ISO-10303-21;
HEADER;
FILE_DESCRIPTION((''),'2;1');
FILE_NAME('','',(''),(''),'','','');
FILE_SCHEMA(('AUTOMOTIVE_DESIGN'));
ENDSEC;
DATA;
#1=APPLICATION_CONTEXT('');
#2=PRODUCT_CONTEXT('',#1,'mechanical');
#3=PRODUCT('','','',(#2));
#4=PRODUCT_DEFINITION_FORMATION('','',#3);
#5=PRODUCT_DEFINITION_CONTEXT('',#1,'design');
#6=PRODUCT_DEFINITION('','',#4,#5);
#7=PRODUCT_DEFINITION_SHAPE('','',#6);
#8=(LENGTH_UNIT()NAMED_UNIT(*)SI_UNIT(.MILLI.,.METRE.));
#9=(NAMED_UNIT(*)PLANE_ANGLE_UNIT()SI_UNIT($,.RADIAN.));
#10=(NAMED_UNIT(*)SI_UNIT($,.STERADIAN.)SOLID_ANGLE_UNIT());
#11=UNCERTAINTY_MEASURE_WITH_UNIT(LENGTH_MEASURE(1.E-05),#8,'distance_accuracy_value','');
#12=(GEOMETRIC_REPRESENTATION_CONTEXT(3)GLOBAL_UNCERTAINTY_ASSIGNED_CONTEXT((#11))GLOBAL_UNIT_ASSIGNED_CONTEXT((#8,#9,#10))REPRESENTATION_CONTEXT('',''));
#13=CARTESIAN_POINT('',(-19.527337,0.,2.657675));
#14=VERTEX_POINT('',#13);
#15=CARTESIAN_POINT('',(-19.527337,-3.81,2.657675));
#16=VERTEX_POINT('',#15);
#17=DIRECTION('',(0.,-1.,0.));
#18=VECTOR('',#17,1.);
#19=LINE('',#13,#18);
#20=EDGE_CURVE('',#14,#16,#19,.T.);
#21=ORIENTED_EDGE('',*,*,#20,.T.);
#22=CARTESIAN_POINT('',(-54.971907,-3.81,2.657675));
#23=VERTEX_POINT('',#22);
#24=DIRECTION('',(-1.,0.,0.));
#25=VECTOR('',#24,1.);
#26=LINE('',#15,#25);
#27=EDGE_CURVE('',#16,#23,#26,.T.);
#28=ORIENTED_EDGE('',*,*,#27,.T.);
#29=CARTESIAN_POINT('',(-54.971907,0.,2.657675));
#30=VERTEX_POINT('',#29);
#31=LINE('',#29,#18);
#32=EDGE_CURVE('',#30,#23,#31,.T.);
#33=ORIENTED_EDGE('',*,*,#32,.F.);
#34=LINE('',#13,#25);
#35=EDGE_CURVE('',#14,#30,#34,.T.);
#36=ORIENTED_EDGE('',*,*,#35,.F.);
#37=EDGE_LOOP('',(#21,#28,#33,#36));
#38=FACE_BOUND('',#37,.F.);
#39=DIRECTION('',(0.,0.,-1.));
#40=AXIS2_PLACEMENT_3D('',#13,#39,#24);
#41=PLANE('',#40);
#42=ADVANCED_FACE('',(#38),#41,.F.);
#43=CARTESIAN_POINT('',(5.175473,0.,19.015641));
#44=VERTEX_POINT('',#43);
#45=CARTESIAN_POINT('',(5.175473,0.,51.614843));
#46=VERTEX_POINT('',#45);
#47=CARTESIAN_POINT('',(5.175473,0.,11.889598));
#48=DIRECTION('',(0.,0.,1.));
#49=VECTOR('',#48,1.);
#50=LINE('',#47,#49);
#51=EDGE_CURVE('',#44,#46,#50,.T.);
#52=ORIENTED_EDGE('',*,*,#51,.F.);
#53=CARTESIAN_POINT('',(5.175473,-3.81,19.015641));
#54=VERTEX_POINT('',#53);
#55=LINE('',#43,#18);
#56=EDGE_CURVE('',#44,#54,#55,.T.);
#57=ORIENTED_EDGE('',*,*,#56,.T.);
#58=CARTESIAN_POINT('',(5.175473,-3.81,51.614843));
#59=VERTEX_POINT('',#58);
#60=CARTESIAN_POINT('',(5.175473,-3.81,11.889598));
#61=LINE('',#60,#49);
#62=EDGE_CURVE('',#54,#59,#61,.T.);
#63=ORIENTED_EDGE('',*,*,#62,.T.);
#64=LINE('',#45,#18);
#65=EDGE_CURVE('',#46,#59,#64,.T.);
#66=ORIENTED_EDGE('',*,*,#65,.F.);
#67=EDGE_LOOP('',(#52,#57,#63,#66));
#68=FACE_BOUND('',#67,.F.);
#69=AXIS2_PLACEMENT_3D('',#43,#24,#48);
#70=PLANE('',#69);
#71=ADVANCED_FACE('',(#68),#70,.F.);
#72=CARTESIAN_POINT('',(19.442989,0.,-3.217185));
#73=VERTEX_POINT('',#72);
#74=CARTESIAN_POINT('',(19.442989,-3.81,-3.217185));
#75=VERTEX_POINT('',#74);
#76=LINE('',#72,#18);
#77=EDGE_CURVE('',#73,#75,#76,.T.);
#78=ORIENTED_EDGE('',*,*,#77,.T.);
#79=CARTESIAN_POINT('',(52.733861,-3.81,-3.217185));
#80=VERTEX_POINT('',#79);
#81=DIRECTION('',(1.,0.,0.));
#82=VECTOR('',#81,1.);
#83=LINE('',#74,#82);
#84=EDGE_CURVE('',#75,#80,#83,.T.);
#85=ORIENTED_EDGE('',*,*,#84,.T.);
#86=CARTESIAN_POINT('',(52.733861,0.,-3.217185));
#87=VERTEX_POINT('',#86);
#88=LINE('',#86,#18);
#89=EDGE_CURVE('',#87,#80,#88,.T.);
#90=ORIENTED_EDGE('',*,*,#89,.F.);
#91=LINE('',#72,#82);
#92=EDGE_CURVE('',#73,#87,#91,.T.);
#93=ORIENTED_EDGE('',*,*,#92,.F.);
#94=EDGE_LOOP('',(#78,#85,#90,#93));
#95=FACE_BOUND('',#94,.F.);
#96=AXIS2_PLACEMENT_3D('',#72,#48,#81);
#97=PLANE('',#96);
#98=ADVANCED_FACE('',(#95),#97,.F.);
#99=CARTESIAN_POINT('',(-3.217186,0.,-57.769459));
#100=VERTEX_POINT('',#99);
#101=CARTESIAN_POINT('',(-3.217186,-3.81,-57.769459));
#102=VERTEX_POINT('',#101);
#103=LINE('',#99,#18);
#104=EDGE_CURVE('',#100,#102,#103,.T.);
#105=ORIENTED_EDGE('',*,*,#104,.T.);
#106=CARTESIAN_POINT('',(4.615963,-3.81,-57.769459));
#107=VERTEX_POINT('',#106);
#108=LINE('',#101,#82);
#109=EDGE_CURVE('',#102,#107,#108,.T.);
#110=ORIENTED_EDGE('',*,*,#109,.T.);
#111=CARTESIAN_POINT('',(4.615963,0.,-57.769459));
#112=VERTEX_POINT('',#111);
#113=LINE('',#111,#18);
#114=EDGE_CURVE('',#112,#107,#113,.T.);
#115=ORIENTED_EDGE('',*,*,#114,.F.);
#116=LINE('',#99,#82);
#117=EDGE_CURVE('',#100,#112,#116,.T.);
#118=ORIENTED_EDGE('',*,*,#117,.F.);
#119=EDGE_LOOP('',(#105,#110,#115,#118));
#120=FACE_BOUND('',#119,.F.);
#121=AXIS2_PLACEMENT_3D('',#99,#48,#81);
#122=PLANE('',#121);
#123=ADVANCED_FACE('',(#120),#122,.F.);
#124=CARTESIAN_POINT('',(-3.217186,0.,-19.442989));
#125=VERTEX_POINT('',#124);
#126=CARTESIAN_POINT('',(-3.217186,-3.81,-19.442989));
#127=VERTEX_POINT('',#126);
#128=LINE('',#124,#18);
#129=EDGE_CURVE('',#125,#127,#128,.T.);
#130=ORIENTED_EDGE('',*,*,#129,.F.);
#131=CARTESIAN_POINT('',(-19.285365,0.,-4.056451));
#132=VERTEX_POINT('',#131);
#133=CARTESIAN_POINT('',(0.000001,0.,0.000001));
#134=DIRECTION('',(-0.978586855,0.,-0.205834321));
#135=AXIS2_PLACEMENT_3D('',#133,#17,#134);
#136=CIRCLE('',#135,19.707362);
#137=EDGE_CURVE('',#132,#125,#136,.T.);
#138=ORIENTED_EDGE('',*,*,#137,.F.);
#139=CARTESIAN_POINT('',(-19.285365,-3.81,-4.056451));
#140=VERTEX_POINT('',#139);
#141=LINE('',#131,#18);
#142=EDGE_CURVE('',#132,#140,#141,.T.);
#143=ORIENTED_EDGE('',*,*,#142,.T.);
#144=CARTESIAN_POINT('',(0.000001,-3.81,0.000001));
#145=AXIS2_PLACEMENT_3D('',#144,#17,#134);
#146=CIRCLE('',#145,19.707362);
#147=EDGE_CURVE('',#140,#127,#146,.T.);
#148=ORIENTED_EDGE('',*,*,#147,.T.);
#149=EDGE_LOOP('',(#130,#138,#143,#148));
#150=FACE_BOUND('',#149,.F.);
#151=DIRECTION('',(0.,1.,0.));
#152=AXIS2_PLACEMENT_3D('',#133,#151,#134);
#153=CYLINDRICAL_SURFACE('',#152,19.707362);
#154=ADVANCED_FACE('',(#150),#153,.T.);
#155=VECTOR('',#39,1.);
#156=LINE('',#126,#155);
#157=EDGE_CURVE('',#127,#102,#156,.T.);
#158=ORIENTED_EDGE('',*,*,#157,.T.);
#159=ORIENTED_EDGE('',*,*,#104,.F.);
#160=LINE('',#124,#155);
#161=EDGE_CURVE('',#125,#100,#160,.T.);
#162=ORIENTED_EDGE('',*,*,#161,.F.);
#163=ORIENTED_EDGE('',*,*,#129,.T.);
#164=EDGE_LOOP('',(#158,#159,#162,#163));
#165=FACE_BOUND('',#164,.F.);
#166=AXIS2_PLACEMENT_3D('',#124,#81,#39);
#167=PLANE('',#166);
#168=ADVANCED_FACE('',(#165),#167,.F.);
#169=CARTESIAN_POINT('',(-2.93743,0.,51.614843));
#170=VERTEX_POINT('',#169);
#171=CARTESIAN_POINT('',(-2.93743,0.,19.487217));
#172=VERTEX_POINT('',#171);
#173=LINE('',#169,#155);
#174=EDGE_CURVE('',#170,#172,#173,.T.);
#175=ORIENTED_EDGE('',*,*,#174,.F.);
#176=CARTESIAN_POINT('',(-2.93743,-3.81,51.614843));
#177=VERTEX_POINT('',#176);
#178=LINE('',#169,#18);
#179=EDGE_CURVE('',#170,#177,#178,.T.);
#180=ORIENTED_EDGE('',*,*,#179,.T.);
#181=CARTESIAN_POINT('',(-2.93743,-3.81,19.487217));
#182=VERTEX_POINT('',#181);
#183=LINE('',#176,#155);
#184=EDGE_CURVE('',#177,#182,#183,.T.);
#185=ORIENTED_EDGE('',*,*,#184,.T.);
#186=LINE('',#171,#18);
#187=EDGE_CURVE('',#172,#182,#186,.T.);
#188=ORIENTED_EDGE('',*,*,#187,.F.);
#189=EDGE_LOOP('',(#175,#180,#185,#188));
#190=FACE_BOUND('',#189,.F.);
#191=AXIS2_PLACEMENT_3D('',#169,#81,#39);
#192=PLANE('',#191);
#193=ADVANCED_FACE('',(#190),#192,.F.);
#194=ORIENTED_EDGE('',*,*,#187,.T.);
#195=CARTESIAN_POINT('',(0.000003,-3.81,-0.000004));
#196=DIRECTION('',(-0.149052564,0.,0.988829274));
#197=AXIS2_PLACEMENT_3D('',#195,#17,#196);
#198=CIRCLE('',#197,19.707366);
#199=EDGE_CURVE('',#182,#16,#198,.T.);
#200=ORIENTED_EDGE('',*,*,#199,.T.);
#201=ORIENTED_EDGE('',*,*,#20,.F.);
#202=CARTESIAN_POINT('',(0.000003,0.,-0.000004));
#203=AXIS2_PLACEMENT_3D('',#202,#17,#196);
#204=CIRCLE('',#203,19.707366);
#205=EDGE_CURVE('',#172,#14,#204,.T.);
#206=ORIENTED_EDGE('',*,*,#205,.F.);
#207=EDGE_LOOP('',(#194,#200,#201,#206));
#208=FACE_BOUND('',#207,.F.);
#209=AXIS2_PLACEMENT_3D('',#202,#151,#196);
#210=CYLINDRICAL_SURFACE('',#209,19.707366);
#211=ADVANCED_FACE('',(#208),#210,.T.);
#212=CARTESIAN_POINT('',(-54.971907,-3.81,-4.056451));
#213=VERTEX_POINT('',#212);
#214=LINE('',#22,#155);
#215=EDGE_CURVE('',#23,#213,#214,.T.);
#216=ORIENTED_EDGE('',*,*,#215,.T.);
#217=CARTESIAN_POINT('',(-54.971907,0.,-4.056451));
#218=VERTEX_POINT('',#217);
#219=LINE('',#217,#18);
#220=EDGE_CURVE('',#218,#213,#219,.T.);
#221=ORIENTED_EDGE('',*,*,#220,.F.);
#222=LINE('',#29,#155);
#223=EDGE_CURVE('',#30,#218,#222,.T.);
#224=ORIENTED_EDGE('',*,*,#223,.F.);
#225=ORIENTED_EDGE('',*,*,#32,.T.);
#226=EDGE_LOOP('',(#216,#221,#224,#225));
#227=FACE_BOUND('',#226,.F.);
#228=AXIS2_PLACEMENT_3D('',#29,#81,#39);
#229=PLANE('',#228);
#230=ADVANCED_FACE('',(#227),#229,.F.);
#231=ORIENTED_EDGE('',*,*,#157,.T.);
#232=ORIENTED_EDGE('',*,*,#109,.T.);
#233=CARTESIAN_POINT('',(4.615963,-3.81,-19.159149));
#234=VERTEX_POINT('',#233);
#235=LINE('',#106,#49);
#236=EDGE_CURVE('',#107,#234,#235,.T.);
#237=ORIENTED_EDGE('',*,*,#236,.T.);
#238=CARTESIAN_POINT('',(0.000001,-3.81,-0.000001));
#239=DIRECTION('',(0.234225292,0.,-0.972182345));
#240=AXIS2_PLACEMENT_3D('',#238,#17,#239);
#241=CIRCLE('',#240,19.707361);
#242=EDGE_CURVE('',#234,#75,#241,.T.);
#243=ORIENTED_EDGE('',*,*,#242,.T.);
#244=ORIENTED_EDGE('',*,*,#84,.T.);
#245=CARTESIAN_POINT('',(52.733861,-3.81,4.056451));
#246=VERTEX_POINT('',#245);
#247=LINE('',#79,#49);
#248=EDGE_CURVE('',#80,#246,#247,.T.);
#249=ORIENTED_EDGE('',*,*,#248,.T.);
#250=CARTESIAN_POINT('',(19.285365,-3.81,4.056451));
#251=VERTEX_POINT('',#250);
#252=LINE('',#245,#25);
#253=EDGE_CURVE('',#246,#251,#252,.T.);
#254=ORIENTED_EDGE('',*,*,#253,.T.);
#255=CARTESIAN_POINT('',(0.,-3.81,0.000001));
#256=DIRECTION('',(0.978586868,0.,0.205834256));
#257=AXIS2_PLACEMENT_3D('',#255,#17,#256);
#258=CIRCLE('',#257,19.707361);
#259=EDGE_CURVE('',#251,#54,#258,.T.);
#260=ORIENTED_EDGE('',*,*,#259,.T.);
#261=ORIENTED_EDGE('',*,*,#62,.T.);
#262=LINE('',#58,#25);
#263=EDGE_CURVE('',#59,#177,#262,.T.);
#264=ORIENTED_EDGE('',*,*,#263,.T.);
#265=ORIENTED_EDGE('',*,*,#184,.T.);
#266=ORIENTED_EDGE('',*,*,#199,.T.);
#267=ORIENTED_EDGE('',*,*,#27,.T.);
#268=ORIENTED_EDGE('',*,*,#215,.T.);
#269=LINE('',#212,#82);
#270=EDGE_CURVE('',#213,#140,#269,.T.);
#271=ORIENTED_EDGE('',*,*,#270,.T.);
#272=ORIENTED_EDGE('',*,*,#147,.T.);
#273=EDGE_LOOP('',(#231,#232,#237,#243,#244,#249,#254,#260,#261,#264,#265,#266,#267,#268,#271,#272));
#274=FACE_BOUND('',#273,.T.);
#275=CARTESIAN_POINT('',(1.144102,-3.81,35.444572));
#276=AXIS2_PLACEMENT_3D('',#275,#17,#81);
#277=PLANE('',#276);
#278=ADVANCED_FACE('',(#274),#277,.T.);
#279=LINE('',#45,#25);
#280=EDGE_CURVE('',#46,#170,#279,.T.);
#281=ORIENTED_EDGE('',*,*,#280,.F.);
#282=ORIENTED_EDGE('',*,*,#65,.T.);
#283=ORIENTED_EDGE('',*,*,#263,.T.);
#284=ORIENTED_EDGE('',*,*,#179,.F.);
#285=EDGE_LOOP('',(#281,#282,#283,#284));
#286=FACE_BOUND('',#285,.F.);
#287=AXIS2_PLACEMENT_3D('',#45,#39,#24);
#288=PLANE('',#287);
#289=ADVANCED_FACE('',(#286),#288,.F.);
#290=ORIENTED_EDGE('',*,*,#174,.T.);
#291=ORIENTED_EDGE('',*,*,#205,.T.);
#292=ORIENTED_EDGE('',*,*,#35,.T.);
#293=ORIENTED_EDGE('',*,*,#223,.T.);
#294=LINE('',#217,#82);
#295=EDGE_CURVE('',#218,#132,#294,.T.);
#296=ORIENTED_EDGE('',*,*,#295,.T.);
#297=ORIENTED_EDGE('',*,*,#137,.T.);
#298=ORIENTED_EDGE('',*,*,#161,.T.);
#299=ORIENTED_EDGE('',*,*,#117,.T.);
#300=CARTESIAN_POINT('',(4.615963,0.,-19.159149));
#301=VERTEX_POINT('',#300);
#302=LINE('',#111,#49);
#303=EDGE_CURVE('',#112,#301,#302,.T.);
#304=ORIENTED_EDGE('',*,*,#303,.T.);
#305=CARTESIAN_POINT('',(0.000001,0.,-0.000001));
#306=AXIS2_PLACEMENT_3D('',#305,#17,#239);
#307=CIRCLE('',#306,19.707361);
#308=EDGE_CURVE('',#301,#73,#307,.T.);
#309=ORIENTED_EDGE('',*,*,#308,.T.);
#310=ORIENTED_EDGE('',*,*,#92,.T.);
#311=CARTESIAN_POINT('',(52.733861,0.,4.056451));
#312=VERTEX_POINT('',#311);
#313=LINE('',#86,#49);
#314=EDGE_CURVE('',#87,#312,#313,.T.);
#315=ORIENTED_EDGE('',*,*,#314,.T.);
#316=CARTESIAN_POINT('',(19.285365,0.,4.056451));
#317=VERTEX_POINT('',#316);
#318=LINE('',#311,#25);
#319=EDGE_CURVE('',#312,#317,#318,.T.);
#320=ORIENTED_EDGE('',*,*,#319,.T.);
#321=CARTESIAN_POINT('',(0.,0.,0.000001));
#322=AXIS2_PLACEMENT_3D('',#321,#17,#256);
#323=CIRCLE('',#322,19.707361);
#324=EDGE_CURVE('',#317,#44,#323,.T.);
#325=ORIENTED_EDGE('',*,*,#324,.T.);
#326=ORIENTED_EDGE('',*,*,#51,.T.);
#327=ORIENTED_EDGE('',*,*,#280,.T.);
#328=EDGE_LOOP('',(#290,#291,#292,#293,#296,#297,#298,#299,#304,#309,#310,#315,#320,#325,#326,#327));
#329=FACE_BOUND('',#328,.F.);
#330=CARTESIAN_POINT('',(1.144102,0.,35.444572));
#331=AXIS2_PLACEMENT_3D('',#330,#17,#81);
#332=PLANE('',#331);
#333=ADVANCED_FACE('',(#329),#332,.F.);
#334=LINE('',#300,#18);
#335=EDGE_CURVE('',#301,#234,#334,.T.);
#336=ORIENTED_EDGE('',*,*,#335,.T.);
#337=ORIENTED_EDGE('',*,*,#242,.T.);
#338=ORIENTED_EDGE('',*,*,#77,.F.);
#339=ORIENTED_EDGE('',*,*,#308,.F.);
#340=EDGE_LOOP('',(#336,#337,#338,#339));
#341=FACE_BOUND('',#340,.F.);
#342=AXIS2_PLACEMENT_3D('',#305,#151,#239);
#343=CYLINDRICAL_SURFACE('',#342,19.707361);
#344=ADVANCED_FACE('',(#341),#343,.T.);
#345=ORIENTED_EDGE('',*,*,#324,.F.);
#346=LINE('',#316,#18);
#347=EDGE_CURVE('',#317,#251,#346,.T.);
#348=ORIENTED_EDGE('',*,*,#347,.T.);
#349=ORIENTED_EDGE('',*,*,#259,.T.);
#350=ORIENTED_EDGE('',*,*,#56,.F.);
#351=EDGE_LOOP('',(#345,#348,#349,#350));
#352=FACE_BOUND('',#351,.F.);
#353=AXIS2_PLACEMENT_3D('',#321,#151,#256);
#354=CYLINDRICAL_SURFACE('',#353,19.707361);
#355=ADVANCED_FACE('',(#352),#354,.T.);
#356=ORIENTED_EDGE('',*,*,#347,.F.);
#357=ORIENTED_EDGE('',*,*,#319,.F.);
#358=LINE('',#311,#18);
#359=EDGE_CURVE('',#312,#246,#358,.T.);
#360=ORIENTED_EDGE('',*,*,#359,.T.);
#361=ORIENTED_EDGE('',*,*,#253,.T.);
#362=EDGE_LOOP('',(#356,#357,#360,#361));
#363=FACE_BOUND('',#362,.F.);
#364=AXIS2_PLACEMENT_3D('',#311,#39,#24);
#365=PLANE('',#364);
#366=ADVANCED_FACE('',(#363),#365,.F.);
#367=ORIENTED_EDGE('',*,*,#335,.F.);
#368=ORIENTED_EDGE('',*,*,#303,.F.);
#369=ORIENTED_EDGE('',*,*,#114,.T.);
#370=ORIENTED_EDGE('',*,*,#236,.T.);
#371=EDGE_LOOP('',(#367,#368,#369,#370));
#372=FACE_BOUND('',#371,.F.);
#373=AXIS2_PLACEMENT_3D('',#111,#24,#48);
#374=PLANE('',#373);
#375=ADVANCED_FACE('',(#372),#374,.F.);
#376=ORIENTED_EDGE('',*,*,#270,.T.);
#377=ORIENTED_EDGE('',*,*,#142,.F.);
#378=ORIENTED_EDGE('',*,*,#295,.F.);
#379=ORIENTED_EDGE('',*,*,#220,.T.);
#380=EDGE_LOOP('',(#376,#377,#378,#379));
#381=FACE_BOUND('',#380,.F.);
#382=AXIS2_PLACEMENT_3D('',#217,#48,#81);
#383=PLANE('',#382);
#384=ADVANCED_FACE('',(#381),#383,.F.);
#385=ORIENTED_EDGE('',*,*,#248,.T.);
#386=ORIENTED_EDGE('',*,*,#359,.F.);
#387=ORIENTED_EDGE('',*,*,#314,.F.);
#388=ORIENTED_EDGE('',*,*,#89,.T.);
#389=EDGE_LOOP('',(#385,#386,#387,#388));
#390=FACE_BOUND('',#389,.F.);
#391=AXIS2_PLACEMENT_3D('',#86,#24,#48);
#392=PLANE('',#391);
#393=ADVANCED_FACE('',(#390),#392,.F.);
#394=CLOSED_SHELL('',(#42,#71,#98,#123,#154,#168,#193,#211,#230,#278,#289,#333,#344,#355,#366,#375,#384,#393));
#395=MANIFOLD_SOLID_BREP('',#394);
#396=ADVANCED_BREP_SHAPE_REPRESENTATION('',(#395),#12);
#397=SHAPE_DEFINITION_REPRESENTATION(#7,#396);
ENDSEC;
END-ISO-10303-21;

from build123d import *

# Parameters (mm, degrees)
F1_DEPTH = 3.81


with BuildPart() as f1:
    # F0 (on Front) → F1 (new body)
    with BuildSketch(Plane.XZ):
        with BuildLine():
            ThreePointArc((-2.93743, 19.487217), (1.143593, 19.674153), (5.175473, 19.015641))
            Line((5.175473, 19.015641), (5.175473, 51.614843))
            Line((5.175473, 51.614843), (-2.93743, 51.614843))
            Line((-2.93743, 51.614843), (-2.93743, 19.487217))
        make_face()
        with BuildLine():
            Line((5.175473, 11.889598), (5.175473, 19.015641))
            ThreePointArc((5.175473, 19.015641), (1.143593, 19.674153), (-2.93743, 19.487217))
            Line((-2.93743, 19.487217), (-2.93743, 11.889598))
            Line((-2.93743, 11.889598), (5.175473, 11.889598))
        make_face()
        with BuildLine():
            Line((11.050331, 4.056451), (19.285365, 4.056451))
            ThreePointArc((19.285365, 4.056451), (14.33623, 13.522301), (5.175473, 19.015641))
            Line((5.175473, 19.015641), (5.175473, 11.889598))
            Line((5.175473, 11.889598), (-2.93743, 11.889598))
            Line((-2.93743, 11.889598), (-2.93743, 19.487217))
            ThreePointArc((-2.93743, 19.487217), (-14.034771, 13.83493), (-19.527337, 2.657675))
            Line((-19.527337, 2.657675), (-16.645437, 2.657675))
            Line((-16.645437, 2.657675), (-16.645437, -4.056451))
            Line((-16.645437, -4.056451), (-19.285365, -4.056451))
            ThreePointArc((-19.285365, -4.056451), (-13.630025, -14.233851), (-3.217186, -19.442989))
            Line((-3.217186, -19.442989), (-3.217186, -13.568129))
            Line((-3.217186, -13.568129), (4.615963, -13.568129))
            Line((4.615963, -13.568129), (4.615963, -19.159149))
            ThreePointArc((4.615963, -19.159149), (14.430691, -13.421448), (19.442989, -3.217185))
            Line((19.442989, -3.217185), (11.050331, -3.217185))
            Line((11.050331, -3.217185), (11.050331, 4.056451))
        make_face()
        with BuildLine():
            ThreePointArc((-19.285365, -4.056451), (-19.694576, -0.709775), (-19.527337, 2.657675))
            Line((-19.527337, 2.657675), (-54.971907, 2.657675))
            Line((-54.971907, 2.657675), (-54.971907, -4.056451))
            Line((-54.971907, -4.056451), (-35.38904, -4.056451))
            Line((-35.38904, -4.056451), (-19.285365, -4.056451))
        make_face()
        with BuildLine():
            Line((-16.645437, 2.657675), (-19.527337, 2.657675))
            ThreePointArc((-19.527337, 2.657675), (-19.694576, -0.709775), (-19.285365, -4.056451))
            Line((-19.285365, -4.056451), (-16.645437, -4.056451))
            Line((-16.645437, -4.056451), (-16.645437, 2.657675))
        make_face()
        with BuildLine():
            ThreePointArc((19.442989, -3.217185), (19.641157, -1.614015), (19.707362, 0))
            ThreePointArc((19.707362, 0), (19.601579, 2.039171), (19.285365, 4.056451))
            Line((19.285365, 4.056451), (11.050331, 4.056451))
            Line((11.050331, 4.056451), (11.050331, -3.217185))
            Line((11.050331, -3.217185), (19.442989, -3.217185))
        make_face()
        with BuildLine():
            ThreePointArc((19.285365, 4.056451), (19.601579, 2.039171), (19.707362, 0))
            ThreePointArc((19.707362, 0), (19.641157, -1.614015), (19.442989, -3.217185))
            Line((19.442989, -3.217185), (52.733861, -3.217185))
            Line((52.733861, -3.217185), (52.733861, 4.056451))
            Line((52.733861, 4.056451), (19.285365, 4.056451))
        make_face()
        with BuildLine():
            ThreePointArc((-3.217186, -19.442989), (0.713642, -19.694436), (4.615963, -19.159149))
            Line((4.615963, -19.159149), (4.615963, -13.568129))
            Line((4.615963, -13.568129), (-3.217186, -13.568129))
            Line((-3.217186, -13.568129), (-3.217186, -19.442989))
        make_face()
        with BuildLine():
            Line((4.615963, -57.769459), (4.615963, -19.159149))
            ThreePointArc((4.615963, -19.159149), (0.713642, -19.694436), (-3.217186, -19.442989))
            Line((-3.217186, -19.442989), (-3.217186, -48.817288))
            Line((-3.217186, -48.817288), (-3.217186, -57.769459))
            Line((-3.217186, -57.769459), (4.615963, -57.769459))
        make_face()
    extrude(amount=F1_DEPTH)


solid = f1.part
